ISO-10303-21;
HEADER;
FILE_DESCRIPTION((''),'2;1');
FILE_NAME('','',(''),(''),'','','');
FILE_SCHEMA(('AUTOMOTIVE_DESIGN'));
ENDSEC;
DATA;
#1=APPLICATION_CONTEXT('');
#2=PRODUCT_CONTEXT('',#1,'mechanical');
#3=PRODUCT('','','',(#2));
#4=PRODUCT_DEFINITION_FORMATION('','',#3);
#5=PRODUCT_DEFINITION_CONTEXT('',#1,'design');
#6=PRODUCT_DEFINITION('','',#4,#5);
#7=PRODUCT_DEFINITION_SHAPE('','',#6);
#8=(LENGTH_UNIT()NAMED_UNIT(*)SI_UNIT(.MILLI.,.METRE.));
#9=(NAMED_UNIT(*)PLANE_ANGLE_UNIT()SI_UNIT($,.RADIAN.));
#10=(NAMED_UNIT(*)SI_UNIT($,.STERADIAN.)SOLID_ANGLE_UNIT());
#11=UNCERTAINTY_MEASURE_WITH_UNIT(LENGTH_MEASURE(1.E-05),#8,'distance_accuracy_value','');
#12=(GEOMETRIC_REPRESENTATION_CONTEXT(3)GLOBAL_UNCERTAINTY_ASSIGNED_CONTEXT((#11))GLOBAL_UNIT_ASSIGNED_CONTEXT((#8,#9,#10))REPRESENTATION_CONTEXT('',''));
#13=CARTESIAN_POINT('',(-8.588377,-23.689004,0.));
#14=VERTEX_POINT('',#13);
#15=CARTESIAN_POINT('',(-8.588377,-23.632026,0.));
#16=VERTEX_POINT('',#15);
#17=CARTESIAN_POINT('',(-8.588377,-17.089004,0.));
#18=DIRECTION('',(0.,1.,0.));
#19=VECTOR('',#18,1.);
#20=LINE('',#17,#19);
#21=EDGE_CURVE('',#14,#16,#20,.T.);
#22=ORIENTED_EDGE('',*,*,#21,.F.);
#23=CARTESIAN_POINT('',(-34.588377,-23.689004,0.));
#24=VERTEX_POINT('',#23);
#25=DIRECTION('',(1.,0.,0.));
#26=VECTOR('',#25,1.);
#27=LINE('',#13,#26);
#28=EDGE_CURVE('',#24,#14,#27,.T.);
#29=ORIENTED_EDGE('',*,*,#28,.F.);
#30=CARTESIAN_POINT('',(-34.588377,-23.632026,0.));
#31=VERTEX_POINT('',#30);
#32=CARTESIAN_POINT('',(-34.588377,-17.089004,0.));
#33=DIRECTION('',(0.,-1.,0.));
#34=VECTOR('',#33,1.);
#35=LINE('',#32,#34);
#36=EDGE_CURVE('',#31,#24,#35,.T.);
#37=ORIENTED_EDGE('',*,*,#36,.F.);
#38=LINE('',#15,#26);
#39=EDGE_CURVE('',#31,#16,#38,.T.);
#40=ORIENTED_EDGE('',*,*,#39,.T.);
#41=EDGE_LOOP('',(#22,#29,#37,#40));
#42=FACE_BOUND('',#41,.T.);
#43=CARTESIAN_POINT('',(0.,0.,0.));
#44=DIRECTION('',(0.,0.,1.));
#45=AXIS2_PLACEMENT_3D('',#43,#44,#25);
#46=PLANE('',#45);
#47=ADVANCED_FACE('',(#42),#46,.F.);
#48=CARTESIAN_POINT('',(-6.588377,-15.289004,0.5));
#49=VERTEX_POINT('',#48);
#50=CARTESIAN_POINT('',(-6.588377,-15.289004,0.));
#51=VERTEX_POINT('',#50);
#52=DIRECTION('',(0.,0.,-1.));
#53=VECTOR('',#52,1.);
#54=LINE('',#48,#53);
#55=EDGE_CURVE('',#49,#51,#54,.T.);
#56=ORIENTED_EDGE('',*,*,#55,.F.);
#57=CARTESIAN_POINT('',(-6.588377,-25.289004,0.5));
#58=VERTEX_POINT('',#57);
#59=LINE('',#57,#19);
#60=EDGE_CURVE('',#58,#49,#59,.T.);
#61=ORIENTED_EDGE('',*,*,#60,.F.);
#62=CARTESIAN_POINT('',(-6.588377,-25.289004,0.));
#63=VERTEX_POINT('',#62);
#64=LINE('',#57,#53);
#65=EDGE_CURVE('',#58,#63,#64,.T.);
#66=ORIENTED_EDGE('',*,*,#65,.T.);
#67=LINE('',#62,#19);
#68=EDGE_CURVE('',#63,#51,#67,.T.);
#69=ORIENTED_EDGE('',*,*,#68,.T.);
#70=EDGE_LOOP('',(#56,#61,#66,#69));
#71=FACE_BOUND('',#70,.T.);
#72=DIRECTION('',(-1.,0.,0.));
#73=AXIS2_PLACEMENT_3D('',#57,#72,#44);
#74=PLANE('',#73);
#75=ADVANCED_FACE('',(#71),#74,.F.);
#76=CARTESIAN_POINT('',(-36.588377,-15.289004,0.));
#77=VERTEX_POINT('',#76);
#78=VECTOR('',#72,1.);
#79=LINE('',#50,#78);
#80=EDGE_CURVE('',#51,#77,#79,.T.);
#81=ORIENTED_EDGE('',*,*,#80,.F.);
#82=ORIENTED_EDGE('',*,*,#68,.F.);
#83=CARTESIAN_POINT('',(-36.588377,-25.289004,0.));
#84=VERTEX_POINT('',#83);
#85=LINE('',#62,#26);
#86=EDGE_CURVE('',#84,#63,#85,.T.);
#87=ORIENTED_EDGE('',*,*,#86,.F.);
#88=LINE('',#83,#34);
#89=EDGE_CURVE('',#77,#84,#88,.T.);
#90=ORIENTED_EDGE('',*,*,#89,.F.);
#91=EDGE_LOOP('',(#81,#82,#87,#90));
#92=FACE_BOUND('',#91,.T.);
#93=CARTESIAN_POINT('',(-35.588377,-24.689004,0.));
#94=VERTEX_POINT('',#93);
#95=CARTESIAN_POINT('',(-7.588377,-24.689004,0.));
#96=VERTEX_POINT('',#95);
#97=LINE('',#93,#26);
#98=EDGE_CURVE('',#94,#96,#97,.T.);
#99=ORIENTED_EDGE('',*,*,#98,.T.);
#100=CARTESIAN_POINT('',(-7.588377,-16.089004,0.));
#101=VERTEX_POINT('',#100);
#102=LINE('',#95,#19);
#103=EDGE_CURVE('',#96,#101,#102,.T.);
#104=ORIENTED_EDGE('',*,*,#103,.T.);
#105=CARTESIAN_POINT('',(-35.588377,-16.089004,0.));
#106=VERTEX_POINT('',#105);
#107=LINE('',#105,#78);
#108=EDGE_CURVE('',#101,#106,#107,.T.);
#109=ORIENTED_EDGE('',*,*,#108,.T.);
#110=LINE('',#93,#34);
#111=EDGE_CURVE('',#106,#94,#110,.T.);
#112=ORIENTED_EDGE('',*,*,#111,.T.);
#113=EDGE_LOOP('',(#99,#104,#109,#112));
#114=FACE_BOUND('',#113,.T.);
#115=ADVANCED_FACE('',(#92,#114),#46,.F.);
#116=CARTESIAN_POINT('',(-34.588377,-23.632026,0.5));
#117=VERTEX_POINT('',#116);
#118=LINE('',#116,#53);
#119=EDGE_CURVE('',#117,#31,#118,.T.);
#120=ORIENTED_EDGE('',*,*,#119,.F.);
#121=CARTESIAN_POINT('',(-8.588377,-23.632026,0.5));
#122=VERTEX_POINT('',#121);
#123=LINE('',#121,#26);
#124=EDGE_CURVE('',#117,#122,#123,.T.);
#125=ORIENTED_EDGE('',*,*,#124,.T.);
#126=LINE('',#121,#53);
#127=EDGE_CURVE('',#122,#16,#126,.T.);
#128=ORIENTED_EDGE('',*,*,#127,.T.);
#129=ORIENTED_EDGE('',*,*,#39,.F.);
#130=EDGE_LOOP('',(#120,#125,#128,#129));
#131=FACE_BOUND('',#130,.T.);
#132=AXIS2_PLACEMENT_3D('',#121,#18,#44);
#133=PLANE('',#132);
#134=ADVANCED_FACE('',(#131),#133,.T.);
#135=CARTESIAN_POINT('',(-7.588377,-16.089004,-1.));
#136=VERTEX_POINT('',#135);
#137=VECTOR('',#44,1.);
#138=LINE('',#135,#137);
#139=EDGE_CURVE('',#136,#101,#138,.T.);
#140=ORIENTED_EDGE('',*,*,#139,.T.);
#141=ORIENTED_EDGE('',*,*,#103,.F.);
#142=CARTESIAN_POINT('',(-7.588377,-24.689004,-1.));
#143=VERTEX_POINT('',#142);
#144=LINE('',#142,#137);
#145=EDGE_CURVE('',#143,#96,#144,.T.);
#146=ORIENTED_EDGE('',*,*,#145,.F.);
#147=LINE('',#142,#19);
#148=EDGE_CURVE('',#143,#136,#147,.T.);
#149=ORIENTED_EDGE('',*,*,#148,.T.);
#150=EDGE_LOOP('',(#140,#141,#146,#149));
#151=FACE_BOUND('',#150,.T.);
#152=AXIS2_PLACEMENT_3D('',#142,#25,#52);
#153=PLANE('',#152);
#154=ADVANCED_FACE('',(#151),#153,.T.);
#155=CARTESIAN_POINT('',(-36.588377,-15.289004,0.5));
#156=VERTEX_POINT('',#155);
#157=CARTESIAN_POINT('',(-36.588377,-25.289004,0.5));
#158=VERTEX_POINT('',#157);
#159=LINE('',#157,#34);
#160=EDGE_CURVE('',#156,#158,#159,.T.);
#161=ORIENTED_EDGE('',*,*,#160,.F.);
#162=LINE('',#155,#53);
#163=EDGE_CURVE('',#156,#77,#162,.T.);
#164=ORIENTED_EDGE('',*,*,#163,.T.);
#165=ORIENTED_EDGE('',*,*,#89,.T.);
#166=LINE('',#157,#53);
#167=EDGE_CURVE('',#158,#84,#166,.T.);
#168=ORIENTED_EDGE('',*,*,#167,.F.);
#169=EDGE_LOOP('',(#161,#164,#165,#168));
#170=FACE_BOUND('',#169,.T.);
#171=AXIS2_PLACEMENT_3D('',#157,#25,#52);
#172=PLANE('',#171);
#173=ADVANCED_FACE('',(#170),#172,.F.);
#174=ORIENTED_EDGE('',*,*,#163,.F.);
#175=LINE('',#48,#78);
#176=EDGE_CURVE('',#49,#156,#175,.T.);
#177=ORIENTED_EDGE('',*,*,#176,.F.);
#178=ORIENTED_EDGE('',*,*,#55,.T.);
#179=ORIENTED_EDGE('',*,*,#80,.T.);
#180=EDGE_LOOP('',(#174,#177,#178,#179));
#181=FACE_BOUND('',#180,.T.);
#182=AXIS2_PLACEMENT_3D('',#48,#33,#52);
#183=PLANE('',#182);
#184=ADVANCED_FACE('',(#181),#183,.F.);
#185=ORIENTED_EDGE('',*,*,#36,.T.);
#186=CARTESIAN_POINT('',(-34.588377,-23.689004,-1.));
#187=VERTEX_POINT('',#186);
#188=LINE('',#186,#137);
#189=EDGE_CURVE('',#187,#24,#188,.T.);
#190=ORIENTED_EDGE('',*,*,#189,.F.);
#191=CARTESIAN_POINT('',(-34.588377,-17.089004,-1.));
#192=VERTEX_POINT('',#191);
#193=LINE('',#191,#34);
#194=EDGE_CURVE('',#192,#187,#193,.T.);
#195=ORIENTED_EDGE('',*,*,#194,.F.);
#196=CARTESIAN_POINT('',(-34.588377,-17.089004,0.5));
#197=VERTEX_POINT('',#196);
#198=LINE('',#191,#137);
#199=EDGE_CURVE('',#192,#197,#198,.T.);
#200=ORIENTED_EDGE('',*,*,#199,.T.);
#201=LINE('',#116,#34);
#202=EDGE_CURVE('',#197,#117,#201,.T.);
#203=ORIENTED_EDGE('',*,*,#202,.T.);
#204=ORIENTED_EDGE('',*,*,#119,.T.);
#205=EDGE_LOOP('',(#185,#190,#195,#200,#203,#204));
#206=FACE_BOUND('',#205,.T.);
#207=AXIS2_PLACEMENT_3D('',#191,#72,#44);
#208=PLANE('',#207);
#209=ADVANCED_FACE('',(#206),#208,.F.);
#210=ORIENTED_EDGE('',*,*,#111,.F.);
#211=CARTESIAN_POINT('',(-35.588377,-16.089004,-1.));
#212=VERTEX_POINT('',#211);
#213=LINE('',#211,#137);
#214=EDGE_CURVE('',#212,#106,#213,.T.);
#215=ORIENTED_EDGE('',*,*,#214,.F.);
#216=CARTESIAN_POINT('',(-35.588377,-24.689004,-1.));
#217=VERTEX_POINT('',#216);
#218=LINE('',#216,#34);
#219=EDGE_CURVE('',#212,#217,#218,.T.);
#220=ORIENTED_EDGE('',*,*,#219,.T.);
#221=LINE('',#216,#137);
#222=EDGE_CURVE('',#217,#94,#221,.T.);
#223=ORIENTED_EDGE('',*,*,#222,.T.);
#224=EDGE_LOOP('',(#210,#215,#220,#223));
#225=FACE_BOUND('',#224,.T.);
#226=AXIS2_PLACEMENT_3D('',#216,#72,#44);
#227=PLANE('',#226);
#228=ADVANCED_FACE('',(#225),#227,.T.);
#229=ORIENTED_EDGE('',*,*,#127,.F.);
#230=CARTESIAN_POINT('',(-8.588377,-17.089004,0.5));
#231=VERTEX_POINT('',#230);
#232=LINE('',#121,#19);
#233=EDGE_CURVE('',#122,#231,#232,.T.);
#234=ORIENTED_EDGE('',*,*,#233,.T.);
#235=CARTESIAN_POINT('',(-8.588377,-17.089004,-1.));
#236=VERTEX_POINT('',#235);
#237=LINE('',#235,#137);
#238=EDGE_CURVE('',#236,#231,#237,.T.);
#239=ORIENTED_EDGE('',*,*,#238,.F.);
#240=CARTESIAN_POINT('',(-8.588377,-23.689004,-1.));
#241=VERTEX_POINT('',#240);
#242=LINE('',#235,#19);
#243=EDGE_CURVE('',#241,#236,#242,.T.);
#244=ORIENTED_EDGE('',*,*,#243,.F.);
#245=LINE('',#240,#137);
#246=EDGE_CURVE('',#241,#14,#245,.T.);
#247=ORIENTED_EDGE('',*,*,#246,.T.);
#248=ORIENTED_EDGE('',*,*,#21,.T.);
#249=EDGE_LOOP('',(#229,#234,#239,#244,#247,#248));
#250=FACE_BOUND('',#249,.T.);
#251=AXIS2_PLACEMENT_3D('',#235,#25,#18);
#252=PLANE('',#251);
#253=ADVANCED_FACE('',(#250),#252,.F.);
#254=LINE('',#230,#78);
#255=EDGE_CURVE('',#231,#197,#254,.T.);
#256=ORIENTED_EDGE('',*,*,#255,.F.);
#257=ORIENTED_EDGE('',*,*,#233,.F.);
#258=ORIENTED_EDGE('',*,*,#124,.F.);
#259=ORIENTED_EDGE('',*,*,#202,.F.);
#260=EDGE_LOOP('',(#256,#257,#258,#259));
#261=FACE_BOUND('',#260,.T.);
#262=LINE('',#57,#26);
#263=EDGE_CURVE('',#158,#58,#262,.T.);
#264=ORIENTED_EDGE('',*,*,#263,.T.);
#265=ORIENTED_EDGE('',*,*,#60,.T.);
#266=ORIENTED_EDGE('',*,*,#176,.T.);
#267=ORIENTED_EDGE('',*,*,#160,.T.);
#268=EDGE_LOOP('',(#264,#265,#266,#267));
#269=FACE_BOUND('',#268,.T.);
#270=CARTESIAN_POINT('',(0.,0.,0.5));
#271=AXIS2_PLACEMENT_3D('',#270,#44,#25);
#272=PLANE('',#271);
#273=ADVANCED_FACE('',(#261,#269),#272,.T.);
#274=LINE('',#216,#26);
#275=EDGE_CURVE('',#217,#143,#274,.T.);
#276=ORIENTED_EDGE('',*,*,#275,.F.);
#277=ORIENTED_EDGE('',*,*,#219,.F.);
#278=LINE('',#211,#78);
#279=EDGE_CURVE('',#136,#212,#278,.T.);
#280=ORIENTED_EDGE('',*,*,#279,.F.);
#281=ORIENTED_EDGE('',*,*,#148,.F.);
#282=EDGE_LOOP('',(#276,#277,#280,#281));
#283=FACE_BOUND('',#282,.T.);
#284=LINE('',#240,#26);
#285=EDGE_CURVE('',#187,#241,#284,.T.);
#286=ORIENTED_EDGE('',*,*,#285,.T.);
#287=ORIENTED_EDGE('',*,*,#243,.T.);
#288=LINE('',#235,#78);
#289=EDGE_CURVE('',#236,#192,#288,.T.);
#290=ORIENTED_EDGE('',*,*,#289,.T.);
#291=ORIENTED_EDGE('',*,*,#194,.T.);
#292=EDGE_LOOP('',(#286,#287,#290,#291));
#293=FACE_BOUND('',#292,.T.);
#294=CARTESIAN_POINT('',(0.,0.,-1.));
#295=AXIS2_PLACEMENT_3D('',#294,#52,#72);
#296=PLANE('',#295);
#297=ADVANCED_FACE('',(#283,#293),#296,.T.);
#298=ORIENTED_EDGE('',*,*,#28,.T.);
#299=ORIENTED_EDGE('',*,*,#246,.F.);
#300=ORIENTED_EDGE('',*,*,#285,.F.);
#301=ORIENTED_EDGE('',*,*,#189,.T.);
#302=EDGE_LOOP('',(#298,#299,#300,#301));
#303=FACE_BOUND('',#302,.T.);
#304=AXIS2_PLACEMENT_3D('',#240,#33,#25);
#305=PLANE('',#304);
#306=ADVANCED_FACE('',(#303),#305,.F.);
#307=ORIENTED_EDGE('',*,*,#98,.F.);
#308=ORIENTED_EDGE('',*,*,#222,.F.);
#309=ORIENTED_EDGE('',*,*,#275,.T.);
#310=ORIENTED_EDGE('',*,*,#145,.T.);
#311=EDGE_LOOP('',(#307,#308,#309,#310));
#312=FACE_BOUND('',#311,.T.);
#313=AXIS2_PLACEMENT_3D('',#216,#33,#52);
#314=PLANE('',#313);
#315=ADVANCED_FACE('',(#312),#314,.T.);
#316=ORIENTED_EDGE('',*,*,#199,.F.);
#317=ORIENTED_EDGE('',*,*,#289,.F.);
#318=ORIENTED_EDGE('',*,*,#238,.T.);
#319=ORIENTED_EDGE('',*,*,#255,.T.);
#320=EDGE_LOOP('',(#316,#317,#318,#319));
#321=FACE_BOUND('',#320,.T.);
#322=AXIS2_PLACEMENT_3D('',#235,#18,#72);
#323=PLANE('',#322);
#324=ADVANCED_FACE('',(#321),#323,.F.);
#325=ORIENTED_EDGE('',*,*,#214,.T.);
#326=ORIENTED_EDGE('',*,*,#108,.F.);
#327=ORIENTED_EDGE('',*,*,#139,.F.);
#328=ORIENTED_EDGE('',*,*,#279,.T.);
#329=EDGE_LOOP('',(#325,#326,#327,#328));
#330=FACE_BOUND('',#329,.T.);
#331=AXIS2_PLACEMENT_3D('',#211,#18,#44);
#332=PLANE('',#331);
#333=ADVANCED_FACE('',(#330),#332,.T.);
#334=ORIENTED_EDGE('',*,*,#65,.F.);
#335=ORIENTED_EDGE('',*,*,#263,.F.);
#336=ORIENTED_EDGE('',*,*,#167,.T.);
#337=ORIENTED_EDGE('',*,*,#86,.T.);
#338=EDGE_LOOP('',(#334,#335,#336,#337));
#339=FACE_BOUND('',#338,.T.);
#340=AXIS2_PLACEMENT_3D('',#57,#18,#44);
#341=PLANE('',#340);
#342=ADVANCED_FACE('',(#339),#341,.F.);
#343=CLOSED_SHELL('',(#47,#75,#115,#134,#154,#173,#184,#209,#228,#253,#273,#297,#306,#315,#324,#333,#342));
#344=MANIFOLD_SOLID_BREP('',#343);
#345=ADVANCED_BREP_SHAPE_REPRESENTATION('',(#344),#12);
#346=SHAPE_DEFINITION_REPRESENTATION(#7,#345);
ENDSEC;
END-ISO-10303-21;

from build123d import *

# Parameters (mm, degrees)
SKETCH_1_W      = 28
SKETCH_1_H      = 8.6
SKETCH_1_W_2    = 26
SKETCH_1_H_2    = 6.6
EXTRUDE_1_DEPTH = 1
SKETCH_2_W      = 30
SKETCH_2_H      = 10
SKETCH_2_W_2    = 26
SKETCH_2_H_2    = 6.54302186
EXTRUDE_2_DEPTH = 0.5


with BuildPart() as part:
    # Эскиз1 → Бобышка-Вытянуть1 (new body)
    with BuildSketch(Plane.XY):
        with Locations((-21.588376798, -20.389004385)):
            Rectangle(SKETCH_1_W, SKETCH_1_H)
        with Locations((-21.588376798, -20.389004385)):
            Rectangle(SKETCH_1_W_2, SKETCH_1_H_2, mode=Mode.SUBTRACT)
    extrude(amount=-EXTRUDE_1_DEPTH)

    # Эскиз2 → Бобышка-Вытянуть2 (add)
    with BuildSketch(Plane.XY):
        with Locations((-21.588376798, -20.289004385)):
            Rectangle(SKETCH_2_W, SKETCH_2_H)
        with Locations((-21.588376798, -20.360515315)):
            Rectangle(SKETCH_2_W_2, SKETCH_2_H_2, mode=Mode.SUBTRACT)
    extrude(amount=EXTRUDE_2_DEPTH)


solid = part.part
